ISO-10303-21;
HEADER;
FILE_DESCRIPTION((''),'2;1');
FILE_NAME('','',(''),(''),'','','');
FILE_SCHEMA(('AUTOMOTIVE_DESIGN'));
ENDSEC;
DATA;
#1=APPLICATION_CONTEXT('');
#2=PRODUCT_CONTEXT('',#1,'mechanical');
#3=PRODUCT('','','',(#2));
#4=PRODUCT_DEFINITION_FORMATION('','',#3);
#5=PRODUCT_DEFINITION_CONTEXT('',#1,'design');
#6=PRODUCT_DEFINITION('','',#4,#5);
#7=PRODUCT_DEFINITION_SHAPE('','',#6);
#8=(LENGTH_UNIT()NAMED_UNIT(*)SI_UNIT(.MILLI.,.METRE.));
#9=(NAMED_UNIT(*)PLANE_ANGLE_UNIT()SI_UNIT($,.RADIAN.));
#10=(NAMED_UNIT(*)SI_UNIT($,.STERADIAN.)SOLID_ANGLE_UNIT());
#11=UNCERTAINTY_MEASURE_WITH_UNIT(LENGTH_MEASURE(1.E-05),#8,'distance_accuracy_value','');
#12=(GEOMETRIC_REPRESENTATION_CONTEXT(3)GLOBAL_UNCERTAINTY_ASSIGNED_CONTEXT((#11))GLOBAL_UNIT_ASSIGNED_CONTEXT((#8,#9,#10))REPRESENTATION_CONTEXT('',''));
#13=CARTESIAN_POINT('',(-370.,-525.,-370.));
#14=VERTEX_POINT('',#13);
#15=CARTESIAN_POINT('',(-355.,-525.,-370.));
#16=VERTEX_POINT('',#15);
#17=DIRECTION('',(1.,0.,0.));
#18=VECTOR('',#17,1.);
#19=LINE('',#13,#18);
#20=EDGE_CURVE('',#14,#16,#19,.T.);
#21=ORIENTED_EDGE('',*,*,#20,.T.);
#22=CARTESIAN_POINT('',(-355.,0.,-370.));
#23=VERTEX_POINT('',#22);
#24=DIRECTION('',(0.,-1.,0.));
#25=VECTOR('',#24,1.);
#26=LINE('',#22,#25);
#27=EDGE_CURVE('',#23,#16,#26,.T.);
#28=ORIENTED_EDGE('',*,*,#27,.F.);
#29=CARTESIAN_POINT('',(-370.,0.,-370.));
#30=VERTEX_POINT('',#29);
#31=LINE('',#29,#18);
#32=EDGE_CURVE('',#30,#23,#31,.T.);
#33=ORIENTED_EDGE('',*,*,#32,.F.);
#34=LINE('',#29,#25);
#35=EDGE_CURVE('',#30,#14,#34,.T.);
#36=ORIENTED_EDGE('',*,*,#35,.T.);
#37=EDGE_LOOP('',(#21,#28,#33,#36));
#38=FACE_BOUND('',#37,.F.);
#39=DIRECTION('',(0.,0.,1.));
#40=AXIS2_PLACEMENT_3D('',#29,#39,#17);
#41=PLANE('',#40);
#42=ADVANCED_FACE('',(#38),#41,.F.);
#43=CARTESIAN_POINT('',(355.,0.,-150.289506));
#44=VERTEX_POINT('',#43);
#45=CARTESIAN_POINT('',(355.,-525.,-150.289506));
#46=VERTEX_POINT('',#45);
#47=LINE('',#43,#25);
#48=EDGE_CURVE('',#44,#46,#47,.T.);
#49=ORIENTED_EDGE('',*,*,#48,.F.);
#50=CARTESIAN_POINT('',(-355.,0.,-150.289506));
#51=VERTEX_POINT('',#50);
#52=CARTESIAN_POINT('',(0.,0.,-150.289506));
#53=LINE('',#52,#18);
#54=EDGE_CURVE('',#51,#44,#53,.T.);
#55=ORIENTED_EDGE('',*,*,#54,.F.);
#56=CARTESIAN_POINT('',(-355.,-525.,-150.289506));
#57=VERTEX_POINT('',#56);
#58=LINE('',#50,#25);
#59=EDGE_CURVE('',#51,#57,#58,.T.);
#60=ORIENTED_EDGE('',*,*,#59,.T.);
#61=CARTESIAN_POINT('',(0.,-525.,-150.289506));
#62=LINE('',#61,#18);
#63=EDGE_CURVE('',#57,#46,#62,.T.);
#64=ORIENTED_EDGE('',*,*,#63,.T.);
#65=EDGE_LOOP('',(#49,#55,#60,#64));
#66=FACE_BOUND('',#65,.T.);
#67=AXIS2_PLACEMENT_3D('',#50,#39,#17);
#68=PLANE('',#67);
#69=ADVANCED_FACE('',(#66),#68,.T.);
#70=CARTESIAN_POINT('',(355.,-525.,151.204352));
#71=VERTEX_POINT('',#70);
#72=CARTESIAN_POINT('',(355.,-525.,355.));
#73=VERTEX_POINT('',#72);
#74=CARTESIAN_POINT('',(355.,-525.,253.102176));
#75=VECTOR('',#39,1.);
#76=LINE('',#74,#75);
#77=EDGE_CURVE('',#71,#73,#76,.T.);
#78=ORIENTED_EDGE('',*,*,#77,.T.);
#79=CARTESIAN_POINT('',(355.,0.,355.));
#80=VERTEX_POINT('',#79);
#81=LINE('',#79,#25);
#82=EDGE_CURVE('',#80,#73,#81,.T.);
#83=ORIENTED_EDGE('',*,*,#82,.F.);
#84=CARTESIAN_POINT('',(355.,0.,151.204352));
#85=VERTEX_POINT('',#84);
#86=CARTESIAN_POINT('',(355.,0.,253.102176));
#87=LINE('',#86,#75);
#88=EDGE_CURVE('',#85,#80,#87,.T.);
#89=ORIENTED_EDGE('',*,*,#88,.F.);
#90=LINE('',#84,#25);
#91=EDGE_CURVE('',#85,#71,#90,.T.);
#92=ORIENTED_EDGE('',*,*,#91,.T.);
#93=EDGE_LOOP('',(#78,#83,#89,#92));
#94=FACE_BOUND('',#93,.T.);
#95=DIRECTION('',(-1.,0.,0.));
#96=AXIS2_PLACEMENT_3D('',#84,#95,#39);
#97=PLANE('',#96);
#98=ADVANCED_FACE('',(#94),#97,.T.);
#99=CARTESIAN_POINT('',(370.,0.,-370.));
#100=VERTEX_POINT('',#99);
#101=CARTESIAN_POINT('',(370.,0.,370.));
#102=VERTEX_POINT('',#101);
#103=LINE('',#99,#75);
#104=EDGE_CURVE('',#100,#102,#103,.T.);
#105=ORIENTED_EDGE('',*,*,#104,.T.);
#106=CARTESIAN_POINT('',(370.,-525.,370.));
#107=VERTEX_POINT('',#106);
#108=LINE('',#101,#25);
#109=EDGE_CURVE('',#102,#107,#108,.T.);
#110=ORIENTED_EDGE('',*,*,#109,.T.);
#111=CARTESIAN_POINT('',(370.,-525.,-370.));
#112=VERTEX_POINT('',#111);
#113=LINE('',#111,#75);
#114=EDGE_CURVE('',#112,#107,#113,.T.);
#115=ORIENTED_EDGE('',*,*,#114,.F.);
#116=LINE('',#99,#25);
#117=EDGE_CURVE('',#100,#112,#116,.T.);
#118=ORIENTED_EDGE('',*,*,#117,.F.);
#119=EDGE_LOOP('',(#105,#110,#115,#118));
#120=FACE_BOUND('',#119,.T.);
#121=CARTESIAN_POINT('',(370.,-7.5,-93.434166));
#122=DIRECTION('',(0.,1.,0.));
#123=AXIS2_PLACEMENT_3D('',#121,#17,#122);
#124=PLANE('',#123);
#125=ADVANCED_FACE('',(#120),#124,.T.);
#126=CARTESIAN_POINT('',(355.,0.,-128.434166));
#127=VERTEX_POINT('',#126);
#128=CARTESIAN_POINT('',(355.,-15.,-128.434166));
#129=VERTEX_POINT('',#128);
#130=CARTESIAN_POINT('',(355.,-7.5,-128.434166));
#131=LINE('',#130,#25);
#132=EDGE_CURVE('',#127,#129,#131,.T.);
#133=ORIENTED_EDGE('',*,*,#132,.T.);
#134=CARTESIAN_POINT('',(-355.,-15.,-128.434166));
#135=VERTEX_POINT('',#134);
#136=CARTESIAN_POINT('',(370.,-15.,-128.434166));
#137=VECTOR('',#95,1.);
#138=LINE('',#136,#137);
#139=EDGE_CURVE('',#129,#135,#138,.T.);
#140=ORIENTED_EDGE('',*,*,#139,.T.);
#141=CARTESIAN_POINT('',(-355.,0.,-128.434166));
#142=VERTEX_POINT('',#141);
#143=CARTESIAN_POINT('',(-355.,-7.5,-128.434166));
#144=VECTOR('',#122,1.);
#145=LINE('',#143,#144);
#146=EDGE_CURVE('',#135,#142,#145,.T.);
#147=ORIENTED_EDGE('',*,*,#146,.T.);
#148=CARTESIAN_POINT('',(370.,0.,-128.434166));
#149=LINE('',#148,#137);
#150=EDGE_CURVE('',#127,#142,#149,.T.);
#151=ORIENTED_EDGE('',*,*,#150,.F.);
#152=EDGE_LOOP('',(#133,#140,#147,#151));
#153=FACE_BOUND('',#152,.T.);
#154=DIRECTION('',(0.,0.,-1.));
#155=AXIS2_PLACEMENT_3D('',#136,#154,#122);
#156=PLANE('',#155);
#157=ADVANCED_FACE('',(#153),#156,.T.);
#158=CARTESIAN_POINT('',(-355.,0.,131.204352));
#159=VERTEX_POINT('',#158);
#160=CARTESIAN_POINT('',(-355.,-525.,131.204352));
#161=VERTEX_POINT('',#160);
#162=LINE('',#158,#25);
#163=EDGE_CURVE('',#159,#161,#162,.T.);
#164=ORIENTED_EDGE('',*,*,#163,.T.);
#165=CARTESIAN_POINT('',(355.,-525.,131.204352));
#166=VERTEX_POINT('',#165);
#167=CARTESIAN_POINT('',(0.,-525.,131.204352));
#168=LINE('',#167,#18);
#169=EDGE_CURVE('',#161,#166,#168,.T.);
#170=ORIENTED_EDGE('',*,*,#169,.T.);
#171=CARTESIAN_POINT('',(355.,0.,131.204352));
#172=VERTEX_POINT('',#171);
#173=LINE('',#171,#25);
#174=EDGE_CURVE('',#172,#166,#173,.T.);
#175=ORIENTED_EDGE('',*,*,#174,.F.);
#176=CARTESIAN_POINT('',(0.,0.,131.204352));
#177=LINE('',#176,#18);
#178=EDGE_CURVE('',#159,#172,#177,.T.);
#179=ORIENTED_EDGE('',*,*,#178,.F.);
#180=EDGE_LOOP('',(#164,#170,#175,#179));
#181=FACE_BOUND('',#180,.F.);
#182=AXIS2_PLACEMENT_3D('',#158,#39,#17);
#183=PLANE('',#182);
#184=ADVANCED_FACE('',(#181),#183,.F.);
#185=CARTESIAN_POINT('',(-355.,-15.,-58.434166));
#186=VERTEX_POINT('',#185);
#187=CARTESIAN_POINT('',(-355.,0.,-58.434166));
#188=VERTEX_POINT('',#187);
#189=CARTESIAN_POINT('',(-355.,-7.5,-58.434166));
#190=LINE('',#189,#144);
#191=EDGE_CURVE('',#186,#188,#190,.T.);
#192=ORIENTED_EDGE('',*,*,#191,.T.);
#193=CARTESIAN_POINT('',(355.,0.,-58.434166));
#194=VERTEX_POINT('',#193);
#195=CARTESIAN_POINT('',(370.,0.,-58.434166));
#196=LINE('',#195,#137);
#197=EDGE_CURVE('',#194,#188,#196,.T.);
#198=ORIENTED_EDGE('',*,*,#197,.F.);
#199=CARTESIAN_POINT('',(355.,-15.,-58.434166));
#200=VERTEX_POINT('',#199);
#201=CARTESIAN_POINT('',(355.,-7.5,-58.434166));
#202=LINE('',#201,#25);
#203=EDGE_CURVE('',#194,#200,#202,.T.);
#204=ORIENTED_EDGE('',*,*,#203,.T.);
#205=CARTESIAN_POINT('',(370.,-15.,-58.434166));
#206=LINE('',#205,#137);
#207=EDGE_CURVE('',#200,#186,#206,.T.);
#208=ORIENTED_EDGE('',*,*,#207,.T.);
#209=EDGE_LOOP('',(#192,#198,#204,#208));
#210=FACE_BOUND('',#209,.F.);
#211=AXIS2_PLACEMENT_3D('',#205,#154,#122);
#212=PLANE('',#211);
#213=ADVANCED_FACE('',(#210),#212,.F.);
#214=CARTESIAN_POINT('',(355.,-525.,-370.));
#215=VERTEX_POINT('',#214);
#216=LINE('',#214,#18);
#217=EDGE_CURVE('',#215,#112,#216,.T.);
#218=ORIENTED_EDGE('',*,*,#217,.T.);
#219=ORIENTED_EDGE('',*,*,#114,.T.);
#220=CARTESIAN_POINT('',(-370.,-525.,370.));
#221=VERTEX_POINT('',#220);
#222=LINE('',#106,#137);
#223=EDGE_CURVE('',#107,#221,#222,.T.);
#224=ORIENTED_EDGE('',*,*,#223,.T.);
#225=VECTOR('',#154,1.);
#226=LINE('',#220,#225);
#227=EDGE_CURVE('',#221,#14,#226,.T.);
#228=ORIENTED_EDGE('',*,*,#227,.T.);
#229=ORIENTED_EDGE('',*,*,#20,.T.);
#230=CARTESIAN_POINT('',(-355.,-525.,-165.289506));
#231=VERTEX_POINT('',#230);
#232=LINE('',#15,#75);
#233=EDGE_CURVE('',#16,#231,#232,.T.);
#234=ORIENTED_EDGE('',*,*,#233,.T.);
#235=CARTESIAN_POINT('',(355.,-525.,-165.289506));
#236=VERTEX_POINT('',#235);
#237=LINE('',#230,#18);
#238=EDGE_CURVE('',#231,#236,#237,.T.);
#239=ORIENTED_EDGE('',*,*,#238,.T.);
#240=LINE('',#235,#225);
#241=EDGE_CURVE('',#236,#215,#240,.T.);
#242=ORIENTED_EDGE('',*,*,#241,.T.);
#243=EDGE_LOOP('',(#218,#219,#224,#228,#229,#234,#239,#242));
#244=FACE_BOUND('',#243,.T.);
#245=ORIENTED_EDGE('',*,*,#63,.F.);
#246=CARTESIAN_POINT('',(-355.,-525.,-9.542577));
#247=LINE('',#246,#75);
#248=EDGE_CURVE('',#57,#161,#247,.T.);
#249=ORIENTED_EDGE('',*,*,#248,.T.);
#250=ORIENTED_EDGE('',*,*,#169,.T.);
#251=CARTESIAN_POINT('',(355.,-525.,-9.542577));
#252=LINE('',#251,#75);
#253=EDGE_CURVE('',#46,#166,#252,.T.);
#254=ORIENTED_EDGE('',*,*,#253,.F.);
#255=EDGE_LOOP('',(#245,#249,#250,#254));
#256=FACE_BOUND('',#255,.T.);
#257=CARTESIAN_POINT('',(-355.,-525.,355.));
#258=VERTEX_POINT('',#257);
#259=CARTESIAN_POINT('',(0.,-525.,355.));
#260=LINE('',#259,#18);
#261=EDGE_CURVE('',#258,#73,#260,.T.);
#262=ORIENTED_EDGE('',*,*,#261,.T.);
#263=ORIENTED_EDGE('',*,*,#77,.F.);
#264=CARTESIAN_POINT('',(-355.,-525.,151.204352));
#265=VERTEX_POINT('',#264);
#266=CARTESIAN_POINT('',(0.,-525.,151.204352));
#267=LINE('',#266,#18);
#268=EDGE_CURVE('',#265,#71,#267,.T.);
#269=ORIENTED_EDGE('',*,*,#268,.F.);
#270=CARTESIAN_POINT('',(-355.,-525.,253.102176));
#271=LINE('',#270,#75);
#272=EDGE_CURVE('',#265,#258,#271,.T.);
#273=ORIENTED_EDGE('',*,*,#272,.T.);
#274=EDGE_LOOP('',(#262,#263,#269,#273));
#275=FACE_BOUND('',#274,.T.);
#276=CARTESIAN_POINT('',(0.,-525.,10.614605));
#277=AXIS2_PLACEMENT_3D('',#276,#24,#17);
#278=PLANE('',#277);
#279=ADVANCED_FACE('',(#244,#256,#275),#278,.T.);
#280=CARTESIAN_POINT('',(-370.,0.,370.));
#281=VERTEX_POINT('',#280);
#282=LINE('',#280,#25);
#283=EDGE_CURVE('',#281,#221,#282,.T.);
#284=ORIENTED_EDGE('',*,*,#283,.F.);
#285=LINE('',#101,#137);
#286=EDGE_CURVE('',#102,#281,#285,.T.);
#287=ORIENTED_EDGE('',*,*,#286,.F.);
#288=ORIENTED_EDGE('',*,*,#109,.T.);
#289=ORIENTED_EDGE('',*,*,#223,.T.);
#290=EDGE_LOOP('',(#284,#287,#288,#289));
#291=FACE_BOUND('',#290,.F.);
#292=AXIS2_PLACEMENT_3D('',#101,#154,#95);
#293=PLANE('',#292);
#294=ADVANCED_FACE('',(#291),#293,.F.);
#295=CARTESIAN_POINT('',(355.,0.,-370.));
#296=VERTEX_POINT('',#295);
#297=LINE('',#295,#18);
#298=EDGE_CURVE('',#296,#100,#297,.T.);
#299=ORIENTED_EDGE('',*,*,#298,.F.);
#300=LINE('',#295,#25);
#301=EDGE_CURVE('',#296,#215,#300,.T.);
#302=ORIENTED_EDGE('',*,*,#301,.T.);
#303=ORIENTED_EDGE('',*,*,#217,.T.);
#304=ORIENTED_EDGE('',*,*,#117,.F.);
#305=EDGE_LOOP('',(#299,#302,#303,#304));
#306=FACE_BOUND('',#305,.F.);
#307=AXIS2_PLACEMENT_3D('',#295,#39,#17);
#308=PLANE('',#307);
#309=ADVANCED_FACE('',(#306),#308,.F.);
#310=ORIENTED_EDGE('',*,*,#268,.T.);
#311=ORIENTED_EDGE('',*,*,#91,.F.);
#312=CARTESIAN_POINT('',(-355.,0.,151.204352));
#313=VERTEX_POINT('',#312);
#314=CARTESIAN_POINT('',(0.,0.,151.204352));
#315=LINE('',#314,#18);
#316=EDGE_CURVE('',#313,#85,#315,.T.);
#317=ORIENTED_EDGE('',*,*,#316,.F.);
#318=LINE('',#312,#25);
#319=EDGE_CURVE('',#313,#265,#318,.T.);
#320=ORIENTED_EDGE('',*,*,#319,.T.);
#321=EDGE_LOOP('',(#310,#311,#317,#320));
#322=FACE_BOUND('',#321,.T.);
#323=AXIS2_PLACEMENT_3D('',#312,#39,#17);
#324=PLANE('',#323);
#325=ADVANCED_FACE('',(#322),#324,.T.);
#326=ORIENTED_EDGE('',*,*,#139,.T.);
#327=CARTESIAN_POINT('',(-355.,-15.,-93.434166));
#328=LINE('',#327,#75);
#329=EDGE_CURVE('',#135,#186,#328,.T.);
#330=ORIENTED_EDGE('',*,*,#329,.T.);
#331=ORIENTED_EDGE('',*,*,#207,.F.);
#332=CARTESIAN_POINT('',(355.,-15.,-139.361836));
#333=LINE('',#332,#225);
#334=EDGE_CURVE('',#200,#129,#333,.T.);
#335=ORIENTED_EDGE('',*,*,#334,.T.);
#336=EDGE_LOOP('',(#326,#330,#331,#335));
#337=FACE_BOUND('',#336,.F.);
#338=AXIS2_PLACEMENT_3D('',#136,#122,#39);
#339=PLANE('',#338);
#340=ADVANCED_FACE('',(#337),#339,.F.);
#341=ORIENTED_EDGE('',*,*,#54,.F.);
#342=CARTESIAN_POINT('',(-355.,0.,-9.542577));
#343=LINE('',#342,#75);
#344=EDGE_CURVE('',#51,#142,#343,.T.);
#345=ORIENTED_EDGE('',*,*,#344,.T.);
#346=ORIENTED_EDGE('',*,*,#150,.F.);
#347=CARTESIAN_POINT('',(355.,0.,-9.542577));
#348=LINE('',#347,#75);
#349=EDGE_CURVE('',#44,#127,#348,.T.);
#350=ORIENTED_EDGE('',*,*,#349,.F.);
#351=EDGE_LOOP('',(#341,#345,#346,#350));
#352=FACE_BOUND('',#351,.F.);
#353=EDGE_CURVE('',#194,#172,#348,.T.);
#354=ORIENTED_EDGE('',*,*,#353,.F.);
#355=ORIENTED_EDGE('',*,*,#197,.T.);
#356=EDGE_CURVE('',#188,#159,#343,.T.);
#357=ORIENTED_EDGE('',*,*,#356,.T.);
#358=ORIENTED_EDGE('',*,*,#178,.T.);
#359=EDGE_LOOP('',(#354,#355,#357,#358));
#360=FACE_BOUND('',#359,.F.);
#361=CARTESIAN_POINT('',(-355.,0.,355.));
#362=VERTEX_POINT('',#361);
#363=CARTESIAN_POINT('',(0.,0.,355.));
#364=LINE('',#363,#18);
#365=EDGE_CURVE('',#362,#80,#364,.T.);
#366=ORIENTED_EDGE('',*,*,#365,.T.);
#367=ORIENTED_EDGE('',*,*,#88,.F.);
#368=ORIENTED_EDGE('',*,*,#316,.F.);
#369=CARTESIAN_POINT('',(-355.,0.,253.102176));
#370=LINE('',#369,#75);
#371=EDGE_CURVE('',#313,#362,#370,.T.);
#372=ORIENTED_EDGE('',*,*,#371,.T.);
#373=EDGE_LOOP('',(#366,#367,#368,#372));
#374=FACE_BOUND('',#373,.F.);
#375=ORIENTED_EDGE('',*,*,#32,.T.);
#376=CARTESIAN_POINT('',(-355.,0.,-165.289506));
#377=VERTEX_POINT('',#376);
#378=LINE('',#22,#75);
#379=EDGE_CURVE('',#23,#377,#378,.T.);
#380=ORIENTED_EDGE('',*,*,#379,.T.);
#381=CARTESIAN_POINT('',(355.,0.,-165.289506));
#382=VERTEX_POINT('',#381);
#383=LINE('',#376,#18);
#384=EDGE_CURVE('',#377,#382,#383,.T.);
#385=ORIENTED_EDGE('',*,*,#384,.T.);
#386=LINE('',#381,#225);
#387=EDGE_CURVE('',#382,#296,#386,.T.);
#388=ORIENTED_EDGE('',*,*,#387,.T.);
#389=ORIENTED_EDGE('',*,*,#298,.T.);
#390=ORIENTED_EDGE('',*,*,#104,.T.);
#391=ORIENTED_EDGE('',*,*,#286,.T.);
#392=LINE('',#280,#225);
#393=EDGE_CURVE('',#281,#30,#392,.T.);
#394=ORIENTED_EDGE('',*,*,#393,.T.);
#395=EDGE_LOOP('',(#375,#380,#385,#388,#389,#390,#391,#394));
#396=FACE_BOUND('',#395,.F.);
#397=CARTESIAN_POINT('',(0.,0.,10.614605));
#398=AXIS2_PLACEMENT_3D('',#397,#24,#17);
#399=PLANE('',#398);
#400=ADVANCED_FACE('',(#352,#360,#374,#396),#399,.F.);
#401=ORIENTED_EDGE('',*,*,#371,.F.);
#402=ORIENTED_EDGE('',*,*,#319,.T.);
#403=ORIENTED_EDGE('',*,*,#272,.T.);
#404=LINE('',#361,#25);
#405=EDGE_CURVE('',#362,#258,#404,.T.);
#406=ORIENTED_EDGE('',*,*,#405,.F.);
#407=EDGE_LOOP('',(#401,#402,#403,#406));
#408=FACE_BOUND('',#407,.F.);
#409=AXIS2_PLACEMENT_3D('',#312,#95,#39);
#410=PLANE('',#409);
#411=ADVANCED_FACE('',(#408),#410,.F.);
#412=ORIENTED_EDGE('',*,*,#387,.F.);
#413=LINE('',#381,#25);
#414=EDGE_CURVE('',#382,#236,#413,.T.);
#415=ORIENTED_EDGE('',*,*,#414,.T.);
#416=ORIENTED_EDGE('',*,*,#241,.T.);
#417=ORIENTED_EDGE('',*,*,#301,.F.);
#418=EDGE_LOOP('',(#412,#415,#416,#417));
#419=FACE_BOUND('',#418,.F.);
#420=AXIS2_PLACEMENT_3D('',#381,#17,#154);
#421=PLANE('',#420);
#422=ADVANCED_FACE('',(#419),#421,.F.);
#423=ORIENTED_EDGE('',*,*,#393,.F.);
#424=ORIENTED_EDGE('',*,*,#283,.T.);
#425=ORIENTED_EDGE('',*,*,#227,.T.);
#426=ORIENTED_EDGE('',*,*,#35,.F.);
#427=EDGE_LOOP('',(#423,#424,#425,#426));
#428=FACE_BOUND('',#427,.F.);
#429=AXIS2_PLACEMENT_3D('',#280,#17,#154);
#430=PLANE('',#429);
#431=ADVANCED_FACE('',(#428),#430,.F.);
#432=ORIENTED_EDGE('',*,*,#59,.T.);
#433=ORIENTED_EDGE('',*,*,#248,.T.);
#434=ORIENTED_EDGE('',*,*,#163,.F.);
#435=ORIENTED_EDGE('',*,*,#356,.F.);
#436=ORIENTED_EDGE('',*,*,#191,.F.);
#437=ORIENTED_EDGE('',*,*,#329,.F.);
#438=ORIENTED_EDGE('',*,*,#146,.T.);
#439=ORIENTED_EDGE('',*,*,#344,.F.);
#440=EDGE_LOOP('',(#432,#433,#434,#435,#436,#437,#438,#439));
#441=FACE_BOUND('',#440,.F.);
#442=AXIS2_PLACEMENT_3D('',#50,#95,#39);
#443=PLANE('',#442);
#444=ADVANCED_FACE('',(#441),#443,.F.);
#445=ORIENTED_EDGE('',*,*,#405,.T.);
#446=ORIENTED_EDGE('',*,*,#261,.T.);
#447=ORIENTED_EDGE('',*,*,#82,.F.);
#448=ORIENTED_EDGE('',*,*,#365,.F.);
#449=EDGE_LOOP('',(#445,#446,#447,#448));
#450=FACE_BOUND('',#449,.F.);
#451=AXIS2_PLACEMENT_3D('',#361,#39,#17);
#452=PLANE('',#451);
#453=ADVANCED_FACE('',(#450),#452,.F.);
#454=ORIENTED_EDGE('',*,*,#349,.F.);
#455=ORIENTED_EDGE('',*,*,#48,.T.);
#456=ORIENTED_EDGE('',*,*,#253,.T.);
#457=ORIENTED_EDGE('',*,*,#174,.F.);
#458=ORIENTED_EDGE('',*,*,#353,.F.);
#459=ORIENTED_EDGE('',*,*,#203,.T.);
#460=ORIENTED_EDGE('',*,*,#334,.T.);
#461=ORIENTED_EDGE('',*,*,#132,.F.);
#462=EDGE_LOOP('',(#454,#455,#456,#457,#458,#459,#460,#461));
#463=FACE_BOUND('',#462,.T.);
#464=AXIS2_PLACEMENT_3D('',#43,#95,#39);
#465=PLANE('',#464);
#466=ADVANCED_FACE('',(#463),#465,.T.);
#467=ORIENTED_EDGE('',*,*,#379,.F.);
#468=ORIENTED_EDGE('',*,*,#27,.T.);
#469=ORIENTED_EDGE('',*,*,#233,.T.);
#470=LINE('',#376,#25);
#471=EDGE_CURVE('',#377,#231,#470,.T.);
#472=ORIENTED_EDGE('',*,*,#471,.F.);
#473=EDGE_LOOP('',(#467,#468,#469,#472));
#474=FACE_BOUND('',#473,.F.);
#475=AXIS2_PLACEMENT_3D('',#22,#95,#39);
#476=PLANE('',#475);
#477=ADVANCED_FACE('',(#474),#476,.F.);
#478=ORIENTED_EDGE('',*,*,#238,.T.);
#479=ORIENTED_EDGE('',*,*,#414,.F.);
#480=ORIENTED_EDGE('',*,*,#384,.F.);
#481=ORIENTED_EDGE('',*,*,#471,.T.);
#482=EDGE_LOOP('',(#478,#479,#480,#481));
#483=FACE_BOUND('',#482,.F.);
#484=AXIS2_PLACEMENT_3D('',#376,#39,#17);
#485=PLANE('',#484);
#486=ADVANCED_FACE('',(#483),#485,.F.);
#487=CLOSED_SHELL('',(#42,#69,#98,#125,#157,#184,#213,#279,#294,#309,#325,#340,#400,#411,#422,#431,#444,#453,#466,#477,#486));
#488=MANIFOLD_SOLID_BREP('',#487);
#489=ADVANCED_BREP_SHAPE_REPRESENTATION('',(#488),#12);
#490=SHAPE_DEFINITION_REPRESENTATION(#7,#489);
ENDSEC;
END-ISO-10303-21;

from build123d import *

# Parameters (mm, degrees)
F0_W     = 710
F0_H     = 281.493858
F0_H_2   = 203.795648
F1_DEPTH = 525
F2_W     = 15
F2_H     = 70
F3_DEPTH = 725


with BuildPart() as f1:
    # F0 (on Front) → F1 (new body)
    with BuildSketch(Plane.XZ):
        Polygon((370, -370), (370, 370), (-370, 370), (-370, -370), (-355, -370), (-355, -165.289506), (355, -165.289506), (355, -370), align=None)
        with Locations((0, -9.542577)):
            Rectangle(F0_W, F0_H, mode=Mode.SUBTRACT)
        with Locations((0, 253.102176)):
            Rectangle(F0_W, F0_H_2, mode=Mode.SUBTRACT)
    extrude(amount=F1_DEPTH)

    # F2 (on face) → F3 (join, through all)
    with BuildSketch(Plane.YZ.offset(370)):
        with Locations((-7.5, -93.434166)):
            Rectangle(F2_W, F2_H)
    extrude(amount=-F3_DEPTH)


solid = f1.part
